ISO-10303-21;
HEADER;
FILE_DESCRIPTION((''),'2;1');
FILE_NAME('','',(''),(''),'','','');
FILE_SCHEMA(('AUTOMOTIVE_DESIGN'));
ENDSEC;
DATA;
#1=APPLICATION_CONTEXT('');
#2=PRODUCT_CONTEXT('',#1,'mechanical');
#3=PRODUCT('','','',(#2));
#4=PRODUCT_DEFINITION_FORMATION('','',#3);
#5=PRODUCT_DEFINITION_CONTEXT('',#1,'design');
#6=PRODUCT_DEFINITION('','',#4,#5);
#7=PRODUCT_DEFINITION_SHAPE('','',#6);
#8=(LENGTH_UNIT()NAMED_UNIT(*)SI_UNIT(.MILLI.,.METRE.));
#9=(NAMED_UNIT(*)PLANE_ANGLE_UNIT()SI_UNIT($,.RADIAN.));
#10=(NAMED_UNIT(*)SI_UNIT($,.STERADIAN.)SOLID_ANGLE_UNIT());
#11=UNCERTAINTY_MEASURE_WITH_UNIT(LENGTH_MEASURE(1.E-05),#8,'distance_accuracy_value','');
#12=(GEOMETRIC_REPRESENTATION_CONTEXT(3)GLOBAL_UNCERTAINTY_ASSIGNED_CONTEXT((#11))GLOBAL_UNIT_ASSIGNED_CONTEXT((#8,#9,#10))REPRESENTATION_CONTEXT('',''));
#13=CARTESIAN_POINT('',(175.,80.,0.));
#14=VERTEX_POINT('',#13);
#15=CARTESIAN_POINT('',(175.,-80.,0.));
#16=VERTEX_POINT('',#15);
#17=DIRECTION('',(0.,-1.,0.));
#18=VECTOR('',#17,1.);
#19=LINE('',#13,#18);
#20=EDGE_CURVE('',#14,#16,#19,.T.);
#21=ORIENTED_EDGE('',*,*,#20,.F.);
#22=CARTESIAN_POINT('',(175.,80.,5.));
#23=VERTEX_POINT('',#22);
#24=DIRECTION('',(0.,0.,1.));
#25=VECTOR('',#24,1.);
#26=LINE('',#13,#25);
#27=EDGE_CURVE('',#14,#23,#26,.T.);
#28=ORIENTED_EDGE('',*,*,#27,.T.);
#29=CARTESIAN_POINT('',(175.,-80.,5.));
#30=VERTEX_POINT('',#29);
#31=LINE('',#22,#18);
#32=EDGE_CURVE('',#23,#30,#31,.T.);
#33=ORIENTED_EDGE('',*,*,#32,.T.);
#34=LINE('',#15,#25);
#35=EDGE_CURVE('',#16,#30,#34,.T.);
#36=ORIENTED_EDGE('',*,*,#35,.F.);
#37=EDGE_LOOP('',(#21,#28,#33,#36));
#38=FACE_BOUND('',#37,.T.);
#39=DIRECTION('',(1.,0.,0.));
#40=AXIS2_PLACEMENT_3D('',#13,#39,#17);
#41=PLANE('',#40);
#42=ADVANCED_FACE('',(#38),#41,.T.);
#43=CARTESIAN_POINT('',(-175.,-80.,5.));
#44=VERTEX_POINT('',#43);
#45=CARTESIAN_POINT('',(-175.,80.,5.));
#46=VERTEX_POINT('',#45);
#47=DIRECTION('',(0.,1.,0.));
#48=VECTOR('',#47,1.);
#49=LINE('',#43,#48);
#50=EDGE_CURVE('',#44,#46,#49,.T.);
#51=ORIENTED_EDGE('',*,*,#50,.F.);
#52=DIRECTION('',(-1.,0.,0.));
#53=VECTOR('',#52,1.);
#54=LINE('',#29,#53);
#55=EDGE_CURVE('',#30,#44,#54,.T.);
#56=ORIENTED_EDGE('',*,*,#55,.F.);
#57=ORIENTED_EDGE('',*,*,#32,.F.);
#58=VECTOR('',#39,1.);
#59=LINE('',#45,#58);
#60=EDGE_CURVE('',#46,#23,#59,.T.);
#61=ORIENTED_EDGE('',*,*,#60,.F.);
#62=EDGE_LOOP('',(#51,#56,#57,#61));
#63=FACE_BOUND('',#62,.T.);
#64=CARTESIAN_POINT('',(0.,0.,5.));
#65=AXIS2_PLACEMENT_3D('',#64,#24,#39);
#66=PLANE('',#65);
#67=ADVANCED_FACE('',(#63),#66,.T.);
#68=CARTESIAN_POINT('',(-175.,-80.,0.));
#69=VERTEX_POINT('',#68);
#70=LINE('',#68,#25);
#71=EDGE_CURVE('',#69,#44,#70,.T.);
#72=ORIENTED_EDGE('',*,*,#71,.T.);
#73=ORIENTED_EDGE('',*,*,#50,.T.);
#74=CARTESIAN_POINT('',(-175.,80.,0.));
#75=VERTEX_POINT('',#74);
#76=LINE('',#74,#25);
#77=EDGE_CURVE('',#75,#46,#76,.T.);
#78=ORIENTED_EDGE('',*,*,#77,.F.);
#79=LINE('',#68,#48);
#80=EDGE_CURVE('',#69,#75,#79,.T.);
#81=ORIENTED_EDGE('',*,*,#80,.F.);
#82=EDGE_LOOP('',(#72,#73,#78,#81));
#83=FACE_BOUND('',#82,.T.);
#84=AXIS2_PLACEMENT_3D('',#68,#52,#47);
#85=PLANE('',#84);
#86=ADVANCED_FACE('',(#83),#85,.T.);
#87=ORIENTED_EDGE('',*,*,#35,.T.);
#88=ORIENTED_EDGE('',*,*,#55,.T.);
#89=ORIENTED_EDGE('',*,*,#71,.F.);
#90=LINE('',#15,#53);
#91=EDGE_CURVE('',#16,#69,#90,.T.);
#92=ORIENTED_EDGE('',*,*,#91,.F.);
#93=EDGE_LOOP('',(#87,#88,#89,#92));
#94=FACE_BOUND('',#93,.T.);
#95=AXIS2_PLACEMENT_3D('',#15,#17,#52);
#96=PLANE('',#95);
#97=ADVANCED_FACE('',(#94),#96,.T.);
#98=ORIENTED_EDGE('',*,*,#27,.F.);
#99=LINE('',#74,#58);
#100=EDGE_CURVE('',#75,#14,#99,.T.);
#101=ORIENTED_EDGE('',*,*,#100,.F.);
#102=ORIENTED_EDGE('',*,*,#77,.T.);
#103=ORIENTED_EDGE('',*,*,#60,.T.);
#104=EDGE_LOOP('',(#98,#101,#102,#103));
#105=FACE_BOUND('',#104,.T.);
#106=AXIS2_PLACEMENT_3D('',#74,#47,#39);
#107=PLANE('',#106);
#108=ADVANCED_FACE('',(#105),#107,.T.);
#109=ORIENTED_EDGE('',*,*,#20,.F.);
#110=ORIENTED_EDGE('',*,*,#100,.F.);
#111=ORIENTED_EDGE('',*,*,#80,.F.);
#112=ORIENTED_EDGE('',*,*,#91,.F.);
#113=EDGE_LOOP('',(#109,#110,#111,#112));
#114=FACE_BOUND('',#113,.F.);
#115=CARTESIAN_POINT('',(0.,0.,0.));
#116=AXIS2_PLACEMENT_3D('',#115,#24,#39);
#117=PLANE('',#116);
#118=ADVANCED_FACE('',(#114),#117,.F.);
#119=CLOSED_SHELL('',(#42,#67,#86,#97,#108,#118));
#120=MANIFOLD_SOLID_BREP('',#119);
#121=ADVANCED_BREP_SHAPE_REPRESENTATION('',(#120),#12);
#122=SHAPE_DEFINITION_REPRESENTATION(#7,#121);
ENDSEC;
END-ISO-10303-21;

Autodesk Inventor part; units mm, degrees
ref_plane "YZ Plane" through (0, 0, 0) normal (1, 0, 0) x (0, 1, 0)
ref_plane "XZ Plane" through (0, 0, 0) normal (0, 1, 0) x (-1, 0, 0)
ref_plane "XY Plane" through (0, 0, 0) normal (0, 0, 1) x (1, 0, 0)
sketch "スケッチ1" plane through (0, 0, 0) normal (0, 0, 1) x (1, 0, 0)
  line L0 (-175, 80) -> (175, 80)
  line L1 (175, 80) -> (175, -80)
  line L2 (175, -80) -> (-175, -80)
  line L3 (-175, -80) -> (-175, 80)
  point P0 (0, 0)
  point P1 (175, 0)
  point P2 (0, -80)
  dimension "d0" = 350
  dimension "d1" = 160
extrude "押し出し1" add sketch "スケッチ1" along normal blind 5
properties part number "body_size"
